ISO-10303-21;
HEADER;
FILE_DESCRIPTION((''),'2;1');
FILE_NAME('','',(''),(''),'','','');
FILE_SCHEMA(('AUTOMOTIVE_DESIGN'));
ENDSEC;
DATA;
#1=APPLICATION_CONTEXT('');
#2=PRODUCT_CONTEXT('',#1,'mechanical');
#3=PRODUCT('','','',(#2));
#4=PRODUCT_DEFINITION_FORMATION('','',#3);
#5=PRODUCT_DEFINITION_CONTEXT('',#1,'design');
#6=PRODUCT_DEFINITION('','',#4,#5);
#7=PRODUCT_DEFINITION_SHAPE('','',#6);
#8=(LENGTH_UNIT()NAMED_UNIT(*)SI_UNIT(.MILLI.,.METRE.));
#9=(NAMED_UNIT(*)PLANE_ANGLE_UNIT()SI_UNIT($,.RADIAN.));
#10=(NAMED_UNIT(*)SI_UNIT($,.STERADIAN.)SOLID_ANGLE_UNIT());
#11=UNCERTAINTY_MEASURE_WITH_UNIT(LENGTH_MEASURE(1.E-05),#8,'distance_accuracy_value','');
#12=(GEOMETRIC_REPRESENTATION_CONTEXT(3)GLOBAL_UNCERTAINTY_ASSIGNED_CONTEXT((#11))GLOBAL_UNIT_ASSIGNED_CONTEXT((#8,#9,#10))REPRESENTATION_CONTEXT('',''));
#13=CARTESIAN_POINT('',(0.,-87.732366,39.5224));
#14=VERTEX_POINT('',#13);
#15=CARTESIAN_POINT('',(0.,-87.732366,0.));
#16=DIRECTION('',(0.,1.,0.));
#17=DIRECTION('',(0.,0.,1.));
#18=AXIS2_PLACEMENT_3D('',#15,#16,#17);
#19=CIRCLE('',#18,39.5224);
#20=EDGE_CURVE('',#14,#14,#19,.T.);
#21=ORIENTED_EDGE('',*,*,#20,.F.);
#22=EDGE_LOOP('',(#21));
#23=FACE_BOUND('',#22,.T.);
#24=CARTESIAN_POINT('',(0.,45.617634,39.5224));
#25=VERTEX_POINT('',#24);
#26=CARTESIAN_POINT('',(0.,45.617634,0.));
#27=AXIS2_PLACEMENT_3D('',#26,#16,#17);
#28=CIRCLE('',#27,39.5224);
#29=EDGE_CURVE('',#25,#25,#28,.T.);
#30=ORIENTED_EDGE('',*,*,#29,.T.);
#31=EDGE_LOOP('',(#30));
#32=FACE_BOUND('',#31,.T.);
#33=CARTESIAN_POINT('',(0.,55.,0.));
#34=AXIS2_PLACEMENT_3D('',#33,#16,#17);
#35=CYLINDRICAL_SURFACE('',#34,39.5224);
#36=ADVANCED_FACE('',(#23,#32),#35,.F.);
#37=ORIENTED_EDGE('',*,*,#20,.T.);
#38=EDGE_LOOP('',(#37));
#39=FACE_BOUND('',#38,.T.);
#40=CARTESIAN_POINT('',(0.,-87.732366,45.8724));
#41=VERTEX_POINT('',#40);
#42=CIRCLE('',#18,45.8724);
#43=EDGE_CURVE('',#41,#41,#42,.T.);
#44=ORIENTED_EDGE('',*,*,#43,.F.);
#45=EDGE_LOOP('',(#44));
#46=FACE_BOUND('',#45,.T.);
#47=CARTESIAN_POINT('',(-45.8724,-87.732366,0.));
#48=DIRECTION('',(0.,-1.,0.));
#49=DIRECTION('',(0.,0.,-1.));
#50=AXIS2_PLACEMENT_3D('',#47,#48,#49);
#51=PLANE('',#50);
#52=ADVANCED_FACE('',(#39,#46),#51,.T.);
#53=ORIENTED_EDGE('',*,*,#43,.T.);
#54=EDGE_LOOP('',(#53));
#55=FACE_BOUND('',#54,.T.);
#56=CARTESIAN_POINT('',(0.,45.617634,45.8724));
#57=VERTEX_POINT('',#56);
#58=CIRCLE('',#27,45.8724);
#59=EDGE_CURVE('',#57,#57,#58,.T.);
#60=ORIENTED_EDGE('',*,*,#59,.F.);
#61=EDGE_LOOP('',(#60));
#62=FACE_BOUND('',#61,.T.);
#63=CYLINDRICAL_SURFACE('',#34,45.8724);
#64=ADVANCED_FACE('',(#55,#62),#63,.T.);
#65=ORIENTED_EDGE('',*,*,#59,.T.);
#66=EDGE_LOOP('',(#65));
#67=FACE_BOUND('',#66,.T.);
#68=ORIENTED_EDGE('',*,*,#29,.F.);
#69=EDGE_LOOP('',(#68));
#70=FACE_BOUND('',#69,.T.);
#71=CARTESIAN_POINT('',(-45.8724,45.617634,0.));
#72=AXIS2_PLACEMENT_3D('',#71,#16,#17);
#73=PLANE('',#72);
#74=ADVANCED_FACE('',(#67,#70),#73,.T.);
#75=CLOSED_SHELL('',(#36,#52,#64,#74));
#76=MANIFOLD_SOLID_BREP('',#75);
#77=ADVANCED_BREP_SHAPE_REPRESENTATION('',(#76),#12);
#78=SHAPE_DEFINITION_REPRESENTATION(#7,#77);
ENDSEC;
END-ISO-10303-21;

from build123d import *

# Parameters (mm, degrees)
SKETCH1_W = 6.35
SKETCH1_H = 133.35


with BuildPart() as part:
    # Sketch1 → Revolve1 (revolve)
    with BuildSketch(Plane.XY):
        with Locations((-42.6974, -21.057365567)):
            Rectangle(SKETCH1_W, SKETCH1_H)
    revolve(axis=Axis((0, 55, 0), (0, -1, 0)))


solid = part.part
